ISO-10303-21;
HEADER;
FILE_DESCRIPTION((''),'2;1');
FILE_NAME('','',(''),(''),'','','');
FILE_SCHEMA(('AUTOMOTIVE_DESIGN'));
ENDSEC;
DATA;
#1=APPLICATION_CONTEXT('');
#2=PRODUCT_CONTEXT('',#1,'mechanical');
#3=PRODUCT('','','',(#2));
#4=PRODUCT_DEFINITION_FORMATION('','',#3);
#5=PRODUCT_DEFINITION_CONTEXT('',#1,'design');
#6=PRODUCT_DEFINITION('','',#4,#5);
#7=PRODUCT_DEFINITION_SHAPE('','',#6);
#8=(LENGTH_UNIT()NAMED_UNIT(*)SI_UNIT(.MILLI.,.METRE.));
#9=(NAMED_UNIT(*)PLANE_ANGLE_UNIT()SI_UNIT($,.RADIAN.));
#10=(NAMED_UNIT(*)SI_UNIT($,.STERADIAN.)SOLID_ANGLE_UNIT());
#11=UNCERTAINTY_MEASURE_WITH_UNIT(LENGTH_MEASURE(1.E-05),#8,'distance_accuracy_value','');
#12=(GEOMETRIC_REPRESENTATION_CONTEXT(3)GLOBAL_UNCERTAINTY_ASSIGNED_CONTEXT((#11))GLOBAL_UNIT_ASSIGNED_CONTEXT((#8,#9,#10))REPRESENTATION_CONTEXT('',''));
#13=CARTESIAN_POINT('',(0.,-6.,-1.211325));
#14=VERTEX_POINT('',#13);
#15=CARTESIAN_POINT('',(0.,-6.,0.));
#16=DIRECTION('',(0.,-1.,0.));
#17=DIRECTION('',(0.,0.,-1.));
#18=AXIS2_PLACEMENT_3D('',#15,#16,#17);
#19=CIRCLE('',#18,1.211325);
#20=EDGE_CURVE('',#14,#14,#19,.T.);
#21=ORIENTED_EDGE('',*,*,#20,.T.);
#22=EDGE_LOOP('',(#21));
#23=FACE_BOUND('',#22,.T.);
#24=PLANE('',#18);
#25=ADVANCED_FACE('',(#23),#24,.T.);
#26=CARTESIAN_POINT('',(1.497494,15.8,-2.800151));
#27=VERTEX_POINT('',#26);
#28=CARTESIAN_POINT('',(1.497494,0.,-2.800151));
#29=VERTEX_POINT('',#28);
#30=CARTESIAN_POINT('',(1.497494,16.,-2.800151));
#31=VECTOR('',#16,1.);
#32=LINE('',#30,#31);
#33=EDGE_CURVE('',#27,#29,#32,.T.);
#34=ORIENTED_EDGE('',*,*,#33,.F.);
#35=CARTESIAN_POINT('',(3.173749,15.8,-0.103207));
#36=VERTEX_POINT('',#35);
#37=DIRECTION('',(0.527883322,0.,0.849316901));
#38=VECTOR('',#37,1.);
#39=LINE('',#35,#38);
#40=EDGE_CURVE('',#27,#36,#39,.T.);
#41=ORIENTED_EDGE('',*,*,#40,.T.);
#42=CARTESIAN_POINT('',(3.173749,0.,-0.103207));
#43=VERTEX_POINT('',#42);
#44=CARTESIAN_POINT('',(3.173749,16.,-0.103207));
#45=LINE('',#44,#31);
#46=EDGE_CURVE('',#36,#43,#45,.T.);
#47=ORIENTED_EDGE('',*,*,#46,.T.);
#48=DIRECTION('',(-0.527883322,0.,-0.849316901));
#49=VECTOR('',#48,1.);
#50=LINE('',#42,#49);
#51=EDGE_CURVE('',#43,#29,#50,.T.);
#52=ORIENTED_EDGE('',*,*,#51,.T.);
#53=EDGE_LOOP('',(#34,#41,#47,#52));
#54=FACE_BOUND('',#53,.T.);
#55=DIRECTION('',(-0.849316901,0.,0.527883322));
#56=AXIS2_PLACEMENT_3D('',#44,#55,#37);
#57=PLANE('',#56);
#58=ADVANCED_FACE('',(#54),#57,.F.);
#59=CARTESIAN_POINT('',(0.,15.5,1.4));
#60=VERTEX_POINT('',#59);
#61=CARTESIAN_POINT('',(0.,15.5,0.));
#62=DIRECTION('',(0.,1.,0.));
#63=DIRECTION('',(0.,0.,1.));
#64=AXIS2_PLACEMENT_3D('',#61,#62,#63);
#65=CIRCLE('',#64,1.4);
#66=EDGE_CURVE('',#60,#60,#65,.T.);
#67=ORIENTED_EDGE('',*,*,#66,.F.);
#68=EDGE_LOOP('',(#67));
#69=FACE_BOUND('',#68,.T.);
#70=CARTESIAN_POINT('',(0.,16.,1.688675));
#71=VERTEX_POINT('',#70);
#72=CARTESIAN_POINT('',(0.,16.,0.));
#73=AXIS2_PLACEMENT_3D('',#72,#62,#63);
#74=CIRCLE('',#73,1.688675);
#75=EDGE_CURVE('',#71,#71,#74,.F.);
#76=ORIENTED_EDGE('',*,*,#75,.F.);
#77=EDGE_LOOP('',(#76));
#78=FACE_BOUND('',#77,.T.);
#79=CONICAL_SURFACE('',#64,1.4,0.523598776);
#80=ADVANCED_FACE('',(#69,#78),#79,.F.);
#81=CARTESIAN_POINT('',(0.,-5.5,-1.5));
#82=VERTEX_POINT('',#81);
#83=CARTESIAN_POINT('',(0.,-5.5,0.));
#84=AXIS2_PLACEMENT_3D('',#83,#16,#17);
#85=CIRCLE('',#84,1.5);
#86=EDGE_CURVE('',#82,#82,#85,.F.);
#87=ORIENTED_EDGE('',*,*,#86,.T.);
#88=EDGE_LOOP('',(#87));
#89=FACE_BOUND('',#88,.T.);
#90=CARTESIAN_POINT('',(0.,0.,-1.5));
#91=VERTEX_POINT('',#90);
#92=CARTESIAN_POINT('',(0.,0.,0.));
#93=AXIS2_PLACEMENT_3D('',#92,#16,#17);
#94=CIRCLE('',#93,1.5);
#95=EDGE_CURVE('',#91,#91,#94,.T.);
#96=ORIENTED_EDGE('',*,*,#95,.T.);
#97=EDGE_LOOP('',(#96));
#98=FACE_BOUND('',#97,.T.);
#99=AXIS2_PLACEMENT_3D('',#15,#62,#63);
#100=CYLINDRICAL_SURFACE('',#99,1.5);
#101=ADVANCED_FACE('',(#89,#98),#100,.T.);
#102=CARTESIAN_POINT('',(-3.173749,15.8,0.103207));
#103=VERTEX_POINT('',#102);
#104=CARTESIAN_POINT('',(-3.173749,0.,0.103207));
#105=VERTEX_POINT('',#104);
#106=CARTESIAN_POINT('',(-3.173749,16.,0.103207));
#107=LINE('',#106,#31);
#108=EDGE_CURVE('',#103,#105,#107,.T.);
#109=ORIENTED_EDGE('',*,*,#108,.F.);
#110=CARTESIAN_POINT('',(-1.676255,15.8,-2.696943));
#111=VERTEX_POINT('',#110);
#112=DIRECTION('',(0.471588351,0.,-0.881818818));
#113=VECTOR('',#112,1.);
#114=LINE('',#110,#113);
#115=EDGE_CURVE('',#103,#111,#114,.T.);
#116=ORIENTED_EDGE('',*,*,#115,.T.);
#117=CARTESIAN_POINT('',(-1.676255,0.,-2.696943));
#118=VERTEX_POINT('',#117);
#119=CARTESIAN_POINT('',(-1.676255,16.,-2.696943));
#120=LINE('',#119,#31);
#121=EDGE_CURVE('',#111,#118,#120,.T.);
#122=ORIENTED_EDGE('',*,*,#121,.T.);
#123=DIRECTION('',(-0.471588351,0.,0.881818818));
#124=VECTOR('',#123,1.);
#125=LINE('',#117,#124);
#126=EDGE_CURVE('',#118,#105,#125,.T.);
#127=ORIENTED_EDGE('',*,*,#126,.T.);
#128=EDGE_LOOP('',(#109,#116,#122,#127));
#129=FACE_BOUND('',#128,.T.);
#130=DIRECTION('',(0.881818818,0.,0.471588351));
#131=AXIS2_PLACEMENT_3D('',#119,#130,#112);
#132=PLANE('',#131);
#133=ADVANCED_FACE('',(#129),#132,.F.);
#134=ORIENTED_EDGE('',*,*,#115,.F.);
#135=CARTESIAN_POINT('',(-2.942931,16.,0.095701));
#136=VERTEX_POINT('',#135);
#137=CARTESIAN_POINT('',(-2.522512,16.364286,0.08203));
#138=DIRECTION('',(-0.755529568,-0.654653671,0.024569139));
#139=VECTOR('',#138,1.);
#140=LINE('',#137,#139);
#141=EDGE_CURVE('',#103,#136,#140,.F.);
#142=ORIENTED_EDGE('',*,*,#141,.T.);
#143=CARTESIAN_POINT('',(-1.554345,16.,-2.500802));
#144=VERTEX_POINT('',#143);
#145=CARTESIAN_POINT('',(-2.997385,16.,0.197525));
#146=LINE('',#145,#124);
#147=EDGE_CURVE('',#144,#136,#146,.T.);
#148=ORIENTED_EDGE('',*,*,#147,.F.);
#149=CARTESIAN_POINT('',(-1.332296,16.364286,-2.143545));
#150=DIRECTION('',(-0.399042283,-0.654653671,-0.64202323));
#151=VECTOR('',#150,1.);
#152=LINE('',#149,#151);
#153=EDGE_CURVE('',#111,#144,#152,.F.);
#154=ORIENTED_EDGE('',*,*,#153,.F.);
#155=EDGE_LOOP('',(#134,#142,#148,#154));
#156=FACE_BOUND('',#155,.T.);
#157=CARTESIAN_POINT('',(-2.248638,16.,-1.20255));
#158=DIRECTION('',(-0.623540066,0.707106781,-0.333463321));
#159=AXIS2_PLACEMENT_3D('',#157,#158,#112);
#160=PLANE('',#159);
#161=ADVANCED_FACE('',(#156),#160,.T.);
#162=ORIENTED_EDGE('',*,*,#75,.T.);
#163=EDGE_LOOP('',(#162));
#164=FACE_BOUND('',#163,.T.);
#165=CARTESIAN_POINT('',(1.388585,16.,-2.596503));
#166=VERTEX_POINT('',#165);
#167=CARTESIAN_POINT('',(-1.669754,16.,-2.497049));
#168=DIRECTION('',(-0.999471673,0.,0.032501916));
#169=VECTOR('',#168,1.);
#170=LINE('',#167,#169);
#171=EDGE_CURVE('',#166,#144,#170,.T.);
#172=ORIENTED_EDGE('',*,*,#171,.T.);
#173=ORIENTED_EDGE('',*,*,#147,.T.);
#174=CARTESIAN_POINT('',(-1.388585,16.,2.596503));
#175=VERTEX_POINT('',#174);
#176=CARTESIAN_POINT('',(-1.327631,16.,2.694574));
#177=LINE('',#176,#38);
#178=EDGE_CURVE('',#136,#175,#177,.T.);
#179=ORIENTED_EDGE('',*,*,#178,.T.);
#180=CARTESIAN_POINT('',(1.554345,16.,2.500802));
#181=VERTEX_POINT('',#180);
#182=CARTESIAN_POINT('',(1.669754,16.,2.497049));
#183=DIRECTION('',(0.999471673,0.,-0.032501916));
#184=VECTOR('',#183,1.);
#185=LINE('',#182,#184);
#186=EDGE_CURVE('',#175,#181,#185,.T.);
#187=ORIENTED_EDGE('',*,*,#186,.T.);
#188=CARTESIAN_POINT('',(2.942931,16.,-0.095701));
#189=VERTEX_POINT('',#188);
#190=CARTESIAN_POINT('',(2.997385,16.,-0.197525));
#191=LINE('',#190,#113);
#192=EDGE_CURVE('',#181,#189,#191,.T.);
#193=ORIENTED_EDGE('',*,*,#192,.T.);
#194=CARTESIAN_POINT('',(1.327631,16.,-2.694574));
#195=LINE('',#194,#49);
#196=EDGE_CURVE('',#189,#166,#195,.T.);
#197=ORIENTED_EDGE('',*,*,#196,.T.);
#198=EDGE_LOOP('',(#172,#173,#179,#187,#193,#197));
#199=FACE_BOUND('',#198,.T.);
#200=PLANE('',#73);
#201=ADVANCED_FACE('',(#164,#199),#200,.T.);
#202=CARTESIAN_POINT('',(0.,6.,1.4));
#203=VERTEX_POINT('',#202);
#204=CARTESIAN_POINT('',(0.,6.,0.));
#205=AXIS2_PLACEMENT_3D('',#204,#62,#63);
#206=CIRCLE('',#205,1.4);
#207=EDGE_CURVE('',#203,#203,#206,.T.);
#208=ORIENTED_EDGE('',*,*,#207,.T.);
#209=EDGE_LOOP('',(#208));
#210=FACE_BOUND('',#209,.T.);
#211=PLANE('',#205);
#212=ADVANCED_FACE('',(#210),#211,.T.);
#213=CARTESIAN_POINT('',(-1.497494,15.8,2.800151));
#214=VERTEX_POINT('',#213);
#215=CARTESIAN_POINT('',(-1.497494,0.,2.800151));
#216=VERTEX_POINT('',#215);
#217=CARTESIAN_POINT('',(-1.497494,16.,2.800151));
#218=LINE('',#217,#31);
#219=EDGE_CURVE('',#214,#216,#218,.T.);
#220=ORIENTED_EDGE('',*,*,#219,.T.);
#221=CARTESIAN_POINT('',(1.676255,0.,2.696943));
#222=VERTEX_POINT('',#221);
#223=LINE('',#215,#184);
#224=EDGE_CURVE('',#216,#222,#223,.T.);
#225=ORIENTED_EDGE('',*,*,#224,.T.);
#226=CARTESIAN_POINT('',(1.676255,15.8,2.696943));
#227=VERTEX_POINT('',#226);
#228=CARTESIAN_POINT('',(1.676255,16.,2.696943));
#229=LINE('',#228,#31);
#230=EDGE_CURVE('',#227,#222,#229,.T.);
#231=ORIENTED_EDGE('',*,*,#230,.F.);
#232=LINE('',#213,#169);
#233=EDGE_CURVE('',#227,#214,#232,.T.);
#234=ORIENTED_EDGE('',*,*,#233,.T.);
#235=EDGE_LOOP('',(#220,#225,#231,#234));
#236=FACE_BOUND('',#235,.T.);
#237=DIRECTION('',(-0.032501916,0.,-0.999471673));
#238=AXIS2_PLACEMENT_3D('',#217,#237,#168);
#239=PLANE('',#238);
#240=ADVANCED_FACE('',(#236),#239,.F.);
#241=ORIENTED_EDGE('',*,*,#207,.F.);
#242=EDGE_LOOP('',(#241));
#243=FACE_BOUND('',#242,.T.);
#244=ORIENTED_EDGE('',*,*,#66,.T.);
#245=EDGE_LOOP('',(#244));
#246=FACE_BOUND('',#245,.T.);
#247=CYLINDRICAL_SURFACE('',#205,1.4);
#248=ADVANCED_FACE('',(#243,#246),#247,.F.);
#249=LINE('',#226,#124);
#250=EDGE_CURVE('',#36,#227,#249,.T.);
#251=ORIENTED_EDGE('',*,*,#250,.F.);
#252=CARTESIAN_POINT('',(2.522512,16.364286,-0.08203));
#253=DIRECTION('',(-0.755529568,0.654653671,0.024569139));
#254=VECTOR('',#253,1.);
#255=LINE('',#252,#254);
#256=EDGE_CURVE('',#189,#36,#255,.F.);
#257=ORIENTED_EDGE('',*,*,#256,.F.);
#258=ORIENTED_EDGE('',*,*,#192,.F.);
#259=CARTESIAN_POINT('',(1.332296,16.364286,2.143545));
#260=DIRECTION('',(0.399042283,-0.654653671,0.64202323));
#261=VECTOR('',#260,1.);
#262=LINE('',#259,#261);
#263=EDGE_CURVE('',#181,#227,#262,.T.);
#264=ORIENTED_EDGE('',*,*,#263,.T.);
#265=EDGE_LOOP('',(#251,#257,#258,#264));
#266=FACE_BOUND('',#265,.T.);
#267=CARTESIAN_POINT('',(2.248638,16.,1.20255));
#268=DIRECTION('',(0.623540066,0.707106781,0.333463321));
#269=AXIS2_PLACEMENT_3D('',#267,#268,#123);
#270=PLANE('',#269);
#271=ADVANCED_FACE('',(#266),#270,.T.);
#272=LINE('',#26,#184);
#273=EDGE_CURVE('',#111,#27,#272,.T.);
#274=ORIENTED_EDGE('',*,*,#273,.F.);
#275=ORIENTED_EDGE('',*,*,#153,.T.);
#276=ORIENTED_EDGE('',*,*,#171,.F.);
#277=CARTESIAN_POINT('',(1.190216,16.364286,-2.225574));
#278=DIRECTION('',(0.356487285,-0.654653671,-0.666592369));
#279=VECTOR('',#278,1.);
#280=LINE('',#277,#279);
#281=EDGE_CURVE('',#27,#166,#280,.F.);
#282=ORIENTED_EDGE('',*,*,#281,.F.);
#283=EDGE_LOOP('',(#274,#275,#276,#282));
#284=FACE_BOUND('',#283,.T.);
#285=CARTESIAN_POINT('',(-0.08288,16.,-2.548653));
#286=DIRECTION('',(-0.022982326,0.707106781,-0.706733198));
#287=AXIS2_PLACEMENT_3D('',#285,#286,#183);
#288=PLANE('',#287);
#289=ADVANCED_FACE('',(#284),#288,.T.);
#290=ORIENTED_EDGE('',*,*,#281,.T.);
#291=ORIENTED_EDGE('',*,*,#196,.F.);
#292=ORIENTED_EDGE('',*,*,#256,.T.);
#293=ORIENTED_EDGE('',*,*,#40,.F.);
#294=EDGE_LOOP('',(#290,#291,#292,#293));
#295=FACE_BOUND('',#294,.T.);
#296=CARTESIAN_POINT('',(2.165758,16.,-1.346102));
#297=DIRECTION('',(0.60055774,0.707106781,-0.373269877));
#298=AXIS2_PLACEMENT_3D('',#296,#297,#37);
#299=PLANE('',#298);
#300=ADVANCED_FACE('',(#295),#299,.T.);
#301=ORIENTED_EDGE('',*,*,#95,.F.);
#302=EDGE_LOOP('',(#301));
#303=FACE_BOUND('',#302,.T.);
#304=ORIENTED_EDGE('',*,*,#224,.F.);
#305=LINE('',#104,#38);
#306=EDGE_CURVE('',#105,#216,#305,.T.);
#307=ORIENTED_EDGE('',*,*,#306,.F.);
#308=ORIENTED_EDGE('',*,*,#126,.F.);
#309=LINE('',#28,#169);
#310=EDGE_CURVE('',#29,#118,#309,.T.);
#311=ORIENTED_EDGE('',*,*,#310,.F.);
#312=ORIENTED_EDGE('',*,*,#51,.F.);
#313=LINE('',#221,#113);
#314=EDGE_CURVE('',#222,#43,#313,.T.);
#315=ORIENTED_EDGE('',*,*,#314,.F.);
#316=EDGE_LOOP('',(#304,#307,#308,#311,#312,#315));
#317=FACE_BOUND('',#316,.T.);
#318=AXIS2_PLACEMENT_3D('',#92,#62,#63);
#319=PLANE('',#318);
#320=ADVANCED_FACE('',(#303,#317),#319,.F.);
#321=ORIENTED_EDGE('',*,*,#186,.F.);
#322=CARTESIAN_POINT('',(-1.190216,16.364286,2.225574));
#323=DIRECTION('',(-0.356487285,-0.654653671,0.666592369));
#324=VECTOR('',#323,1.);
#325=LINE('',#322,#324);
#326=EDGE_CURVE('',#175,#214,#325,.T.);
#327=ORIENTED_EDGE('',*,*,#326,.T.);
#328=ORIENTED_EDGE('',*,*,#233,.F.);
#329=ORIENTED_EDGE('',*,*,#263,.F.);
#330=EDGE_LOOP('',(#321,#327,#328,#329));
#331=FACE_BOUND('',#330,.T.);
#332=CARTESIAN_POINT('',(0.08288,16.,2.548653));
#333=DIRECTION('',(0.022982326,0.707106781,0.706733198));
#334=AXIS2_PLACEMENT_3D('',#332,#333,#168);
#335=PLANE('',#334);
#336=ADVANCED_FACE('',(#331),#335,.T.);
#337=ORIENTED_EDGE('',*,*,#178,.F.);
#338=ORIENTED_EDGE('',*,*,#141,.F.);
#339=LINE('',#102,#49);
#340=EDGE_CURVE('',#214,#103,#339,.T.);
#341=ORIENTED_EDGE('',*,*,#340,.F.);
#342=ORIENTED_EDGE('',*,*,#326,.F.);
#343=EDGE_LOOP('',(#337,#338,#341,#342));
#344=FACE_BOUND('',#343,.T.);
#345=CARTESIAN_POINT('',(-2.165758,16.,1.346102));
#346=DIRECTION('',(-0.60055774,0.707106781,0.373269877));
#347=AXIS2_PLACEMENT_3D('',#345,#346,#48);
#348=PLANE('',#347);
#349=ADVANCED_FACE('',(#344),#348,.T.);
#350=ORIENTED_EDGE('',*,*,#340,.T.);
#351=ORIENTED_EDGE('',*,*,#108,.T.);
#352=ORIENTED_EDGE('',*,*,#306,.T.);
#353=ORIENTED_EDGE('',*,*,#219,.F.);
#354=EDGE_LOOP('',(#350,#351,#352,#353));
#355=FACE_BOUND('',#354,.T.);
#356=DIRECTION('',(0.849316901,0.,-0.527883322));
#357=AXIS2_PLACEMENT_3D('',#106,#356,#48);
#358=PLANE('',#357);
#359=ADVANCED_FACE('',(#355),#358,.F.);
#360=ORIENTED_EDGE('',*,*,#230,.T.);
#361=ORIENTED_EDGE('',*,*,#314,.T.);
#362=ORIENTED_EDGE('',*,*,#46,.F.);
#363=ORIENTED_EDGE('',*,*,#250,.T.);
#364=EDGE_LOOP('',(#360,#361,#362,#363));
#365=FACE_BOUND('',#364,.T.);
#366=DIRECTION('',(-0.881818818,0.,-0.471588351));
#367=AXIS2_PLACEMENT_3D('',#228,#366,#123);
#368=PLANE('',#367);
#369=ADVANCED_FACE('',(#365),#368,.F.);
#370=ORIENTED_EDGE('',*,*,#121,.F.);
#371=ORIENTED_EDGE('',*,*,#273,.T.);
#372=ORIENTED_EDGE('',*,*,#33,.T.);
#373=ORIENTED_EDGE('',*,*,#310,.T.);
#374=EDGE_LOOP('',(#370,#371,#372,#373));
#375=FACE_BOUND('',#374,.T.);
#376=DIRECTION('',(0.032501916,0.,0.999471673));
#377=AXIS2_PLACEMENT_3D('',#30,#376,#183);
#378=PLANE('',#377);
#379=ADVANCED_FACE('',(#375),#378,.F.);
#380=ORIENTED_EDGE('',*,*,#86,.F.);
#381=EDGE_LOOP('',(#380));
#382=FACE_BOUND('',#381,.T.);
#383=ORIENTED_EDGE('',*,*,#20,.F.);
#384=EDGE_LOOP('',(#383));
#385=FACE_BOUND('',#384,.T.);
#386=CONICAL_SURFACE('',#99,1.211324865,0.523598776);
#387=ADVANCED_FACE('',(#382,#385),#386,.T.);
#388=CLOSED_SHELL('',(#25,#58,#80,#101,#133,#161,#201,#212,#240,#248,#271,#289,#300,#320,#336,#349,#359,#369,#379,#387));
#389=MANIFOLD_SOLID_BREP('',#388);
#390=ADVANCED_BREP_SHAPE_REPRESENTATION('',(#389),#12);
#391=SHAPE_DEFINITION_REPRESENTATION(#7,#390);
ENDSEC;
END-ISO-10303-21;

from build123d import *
from OCP.BRepFilletAPI import BRepFilletAPI_MakeChamfer

# Parameters (mm, degrees)
BOSS_EXTRUDE1_DEPTH = 16
SKETCH2_R           = 1.4
CUT_EXTRUDE1_DEPTH  = 10
SKETCH3_R           = 1.5
BOSS_EXTRUDE2_DEPTH = 6
CHAMFER1_SIZE       = 0.5
CHAMFER1_SIZE2      = 0.288675135
CHAMFER2_SIZE       = 0.2


with BuildPart() as part:
    # Sketch1 → Boss-Extrude1 (new body)
    with BuildSketch(Plane(origin=(0, 0, 0), x_dir=(1, 0, 0), z_dir=(0, 1, 0))):
        Polygon((1.497494138, 2.800150824), (-1.676254679, 2.696943378), (-3.173748817, -0.103207446), (-1.497494138, -2.800150824), (1.676254679, -2.696943378), (3.173748817, 0.103207446), align=None)
    extrude(amount=BOSS_EXTRUDE1_DEPTH)

    # Sketch2 → Cut-Extrude1 (cut)
    with BuildSketch(Plane(origin=(0, 16, 0), x_dir=(1, 0, 0), z_dir=(0, 1, 0))):
        with Locations(Location((0, 0, 0), (0, 0, 270))):
            Circle(SKETCH2_R)
    extrude(amount=-CUT_EXTRUDE1_DEPTH, mode=Mode.SUBTRACT)

    # Sketch3 → Boss-Extrude2 (add)
    with BuildSketch(Plane.XZ):
        with Locations(Location((0, 0, 0), (0, 0, 270))):
            Circle(SKETCH3_R)
    extrude(amount=BOSS_EXTRUDE2_DEPTH)

    # Chamfer1: one chamfer whose edges measure the first distance from different faces: ONE call of the kernel's chamfer builder (chamfer() names one face for all edges)
    chamfer1_edges_1 = [part.edges().sort_by_distance(p)[0] for p in [
        (0, 16, -1.4),
    ]]
    chamfer1_side_1 = [part.faces().sort_by_distance(p)[0] for p in [
        (0, 11, -1.4),
    ]]
    chamfer1_edges_2 = [part.edges().sort_by_distance(p)[0] for p in [
        (0, -6, 1.5),
    ]]
    chamfer1_side_2 = [part.faces().sort_by_distance(p)[0] for p in [
        (0, -3, 1.5),
    ]]
    chamfer1 = BRepFilletAPI_MakeChamfer(part.part.solid().wrapped)
    for e in chamfer1_edges_1:
        chamfer1.Add(CHAMFER1_SIZE, CHAMFER1_SIZE2, e.wrapped, chamfer1_side_1[0].wrapped)  # the first distance lies on this face
    for e in chamfer1_edges_2:
        chamfer1.Add(CHAMFER1_SIZE, CHAMFER1_SIZE2, e.wrapped, chamfer1_side_2[0].wrapped)  # the first distance lies on this face
    add(Compound.cast(chamfer1.Shape()), mode=Mode.REPLACE)

    # Chamfer2
    chamfer2_edges = [part.edges().sort_by_distance(p)[0] for p in [
        (-2.425001748, 16, -1.296867966),
        (-2.335621478, 16, 1.451679135),
        (0.08938027, 16, 2.748547101),
        (2.425001748, 16, 1.296867966),
        (2.335621478, 16, -1.451679135),
        (-0.08938027, 16, -2.748547101),
    ]]
    chamfer(chamfer2_edges, length=CHAMFER2_SIZE)


solid = part.part
